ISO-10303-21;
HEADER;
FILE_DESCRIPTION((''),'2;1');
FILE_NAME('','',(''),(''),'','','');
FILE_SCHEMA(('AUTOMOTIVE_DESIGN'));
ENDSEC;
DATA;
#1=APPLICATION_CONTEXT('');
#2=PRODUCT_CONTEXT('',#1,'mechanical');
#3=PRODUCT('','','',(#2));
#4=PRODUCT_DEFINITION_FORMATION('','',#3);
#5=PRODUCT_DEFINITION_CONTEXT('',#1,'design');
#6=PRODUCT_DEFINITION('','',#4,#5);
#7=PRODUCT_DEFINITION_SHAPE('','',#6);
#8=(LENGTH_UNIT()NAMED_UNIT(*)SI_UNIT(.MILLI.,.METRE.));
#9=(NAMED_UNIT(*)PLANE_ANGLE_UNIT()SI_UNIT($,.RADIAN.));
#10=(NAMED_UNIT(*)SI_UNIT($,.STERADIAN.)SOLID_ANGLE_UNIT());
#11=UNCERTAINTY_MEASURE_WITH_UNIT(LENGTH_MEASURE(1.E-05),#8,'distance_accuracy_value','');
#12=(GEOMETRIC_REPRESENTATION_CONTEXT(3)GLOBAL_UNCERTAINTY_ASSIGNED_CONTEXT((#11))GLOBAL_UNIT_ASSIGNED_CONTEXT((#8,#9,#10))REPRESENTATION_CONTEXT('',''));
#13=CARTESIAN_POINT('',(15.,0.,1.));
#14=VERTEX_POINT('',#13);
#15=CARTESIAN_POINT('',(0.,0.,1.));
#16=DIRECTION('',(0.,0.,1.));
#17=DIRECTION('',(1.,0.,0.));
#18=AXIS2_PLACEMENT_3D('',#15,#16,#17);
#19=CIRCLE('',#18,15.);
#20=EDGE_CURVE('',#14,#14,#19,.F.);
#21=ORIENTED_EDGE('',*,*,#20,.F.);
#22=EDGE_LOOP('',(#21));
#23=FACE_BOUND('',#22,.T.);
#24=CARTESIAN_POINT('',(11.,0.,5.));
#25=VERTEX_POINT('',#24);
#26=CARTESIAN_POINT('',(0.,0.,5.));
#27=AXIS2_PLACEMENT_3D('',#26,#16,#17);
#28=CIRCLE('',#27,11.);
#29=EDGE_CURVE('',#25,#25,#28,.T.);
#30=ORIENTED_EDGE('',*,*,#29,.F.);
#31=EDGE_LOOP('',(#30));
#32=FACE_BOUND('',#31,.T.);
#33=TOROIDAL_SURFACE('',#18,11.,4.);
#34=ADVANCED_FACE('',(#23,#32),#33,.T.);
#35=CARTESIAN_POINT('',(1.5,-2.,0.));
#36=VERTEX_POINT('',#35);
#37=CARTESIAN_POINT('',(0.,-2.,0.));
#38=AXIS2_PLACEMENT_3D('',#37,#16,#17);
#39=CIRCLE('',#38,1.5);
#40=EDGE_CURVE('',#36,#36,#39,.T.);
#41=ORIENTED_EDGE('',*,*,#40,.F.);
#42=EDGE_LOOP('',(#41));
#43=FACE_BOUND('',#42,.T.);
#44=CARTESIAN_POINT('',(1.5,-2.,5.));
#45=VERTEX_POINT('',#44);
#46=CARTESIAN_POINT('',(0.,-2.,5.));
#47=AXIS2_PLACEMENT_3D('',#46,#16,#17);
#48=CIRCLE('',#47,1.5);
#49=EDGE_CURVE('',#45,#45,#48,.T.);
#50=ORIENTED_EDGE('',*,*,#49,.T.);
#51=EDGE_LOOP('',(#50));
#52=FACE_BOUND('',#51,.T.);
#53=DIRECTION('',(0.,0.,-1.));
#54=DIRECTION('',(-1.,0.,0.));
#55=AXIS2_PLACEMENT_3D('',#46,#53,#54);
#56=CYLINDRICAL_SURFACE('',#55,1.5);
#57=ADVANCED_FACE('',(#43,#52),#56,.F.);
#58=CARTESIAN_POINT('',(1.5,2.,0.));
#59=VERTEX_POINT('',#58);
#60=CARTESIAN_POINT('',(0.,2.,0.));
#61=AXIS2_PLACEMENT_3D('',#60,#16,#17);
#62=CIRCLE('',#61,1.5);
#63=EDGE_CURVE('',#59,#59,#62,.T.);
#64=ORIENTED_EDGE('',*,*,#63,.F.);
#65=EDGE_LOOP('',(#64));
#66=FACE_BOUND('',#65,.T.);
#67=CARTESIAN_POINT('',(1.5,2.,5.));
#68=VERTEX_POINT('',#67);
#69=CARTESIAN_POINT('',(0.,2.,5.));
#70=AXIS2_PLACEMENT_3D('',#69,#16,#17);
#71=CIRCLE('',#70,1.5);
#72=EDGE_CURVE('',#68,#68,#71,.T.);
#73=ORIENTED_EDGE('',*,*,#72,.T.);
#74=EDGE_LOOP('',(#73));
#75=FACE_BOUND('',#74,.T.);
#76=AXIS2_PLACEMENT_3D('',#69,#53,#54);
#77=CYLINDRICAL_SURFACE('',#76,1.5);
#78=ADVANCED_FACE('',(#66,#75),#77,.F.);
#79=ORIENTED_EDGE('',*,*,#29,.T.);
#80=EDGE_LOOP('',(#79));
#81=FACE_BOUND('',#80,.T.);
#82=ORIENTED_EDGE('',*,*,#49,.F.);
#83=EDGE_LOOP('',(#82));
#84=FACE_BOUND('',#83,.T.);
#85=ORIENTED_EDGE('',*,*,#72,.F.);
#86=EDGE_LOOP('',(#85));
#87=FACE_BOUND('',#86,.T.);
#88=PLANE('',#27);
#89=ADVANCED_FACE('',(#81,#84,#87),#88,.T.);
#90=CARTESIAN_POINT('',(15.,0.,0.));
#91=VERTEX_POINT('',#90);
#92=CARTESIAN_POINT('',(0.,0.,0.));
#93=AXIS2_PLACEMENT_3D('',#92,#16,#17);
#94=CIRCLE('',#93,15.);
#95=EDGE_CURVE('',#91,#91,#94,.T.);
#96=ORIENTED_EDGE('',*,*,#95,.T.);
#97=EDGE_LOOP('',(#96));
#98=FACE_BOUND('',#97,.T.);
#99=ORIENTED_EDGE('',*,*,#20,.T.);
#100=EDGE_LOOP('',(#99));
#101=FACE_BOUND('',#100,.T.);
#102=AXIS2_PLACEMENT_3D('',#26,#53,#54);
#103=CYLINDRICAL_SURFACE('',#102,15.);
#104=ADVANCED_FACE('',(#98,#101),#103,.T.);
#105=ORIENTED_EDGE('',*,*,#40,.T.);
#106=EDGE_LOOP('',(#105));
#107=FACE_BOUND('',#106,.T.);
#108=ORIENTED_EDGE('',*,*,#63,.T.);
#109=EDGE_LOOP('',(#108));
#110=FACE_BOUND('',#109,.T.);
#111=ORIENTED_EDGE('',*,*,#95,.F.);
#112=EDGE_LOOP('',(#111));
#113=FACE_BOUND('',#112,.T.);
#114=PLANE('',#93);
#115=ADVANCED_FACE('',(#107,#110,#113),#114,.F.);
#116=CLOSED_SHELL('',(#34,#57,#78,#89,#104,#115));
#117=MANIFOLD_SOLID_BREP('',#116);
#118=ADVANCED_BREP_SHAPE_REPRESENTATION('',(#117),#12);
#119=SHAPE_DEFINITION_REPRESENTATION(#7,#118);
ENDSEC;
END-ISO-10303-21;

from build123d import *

# Parameters (mm, degrees)
SKETCH1_R           = 15
SKETCH1_R_2         = 1.5
BOSS_EXTRUDE1_DEPTH = 5
FILLET3_R           = 4


with BuildPart() as part:
    # Sketch1 → Boss-Extrude1 (new body)
    with BuildSketch(Plane.XY):
        Circle(SKETCH1_R)
        with Locations((0, 2)):
            Circle(SKETCH1_R_2, mode=Mode.SUBTRACT)
        with Locations((0, -2)):
            Circle(SKETCH1_R_2, mode=Mode.SUBTRACT)
    extrude(amount=BOSS_EXTRUDE1_DEPTH)

    # Fillet3
    fillet3_edges = [part.edges().sort_by_distance(p)[0] for p in [
        (-15, 0, 5),
    ]]
    fillet(fillet3_edges, radius=FILLET3_R)


solid = part.part
